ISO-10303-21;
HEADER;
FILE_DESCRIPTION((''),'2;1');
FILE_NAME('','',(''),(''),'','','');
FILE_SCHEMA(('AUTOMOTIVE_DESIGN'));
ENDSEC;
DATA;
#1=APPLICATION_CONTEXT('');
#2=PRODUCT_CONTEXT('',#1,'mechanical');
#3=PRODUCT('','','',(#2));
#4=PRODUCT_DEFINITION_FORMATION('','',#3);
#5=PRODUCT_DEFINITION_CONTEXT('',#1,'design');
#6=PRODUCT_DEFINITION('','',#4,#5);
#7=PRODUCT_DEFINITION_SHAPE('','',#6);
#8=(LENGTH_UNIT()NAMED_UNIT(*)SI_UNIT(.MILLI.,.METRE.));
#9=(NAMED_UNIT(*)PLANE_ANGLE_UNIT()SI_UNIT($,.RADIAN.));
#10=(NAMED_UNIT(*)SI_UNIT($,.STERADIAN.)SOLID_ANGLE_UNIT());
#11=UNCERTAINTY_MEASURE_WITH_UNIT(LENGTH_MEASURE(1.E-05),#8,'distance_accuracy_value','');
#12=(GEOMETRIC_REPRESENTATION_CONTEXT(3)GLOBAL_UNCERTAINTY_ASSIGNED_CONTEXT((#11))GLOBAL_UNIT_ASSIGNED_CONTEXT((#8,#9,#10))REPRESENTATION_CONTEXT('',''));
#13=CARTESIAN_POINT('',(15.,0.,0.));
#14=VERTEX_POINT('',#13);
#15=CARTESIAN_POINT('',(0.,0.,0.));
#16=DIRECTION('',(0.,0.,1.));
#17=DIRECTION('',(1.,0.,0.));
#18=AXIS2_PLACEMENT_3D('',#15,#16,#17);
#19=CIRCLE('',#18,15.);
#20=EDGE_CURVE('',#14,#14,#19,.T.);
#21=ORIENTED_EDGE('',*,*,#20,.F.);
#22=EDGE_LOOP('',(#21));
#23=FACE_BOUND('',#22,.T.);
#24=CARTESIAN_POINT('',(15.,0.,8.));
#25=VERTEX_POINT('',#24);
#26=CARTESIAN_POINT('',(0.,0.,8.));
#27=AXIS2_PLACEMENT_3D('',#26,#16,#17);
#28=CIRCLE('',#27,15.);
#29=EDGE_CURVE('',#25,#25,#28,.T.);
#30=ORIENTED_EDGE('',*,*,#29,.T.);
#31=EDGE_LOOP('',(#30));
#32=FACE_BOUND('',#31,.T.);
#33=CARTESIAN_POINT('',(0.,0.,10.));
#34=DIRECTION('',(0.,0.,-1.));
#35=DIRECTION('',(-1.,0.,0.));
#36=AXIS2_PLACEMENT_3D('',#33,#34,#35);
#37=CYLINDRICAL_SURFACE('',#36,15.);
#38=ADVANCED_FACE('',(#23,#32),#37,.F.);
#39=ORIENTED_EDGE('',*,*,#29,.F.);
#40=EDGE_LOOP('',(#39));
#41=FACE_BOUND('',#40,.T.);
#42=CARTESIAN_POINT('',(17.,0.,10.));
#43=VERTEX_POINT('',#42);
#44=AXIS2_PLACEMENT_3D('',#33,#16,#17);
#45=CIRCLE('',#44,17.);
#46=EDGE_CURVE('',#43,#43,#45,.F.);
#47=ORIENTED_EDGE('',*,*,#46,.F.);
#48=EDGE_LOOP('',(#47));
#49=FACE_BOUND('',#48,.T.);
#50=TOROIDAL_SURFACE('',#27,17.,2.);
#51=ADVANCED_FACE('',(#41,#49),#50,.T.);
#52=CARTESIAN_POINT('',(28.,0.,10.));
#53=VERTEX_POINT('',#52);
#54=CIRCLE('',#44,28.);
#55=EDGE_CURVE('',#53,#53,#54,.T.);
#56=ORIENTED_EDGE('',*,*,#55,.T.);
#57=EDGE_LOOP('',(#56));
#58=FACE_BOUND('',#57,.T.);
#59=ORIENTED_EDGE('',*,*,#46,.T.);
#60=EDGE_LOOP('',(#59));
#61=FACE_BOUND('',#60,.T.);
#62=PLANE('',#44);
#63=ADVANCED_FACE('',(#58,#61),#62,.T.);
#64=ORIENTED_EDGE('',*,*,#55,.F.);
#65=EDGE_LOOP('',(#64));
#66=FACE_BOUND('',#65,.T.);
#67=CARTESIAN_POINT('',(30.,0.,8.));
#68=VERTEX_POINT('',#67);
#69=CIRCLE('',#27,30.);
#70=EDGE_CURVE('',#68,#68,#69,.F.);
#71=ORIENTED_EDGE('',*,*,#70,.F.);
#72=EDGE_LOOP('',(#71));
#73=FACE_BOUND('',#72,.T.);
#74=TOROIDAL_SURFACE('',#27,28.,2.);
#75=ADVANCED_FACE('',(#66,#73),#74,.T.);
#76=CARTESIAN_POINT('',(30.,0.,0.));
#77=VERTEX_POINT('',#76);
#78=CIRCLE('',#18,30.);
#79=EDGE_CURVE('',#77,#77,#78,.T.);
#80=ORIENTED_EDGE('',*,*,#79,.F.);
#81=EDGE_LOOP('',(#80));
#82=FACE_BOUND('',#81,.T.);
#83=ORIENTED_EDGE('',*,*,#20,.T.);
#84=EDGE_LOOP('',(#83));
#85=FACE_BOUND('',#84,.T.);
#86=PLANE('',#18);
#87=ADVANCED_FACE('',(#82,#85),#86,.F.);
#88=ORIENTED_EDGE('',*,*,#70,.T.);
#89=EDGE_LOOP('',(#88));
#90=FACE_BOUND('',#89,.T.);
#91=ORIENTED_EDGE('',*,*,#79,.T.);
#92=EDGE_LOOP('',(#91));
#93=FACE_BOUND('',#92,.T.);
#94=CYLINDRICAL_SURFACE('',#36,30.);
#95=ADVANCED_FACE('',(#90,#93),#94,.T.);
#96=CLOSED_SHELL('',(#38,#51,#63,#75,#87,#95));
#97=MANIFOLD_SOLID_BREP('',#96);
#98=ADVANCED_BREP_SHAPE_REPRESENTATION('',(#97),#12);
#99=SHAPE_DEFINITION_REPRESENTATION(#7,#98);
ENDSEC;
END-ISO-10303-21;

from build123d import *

# Parameters (mm, degrees)
SKETCH1_R           = 30
SKETCH1_R_2         = 15
BOSS_EXTRUDE1_DEPTH = 10
FILLET1_R           = 2


with BuildPart() as part:
    # Sketch1 → Boss-Extrude1 (new body)
    with BuildSketch(Plane.XY):
        Circle(SKETCH1_R)
        Circle(SKETCH1_R_2, mode=Mode.SUBTRACT)
    extrude(amount=BOSS_EXTRUDE1_DEPTH)

    # Fillet1
    fillet1_edges = [part.edges().sort_by_distance(p)[0] for p in [
        (-30, 0, 10),
        (-15, 0, 10),
    ]]
    fillet(fillet1_edges, radius=FILLET1_R)


solid = part.part
